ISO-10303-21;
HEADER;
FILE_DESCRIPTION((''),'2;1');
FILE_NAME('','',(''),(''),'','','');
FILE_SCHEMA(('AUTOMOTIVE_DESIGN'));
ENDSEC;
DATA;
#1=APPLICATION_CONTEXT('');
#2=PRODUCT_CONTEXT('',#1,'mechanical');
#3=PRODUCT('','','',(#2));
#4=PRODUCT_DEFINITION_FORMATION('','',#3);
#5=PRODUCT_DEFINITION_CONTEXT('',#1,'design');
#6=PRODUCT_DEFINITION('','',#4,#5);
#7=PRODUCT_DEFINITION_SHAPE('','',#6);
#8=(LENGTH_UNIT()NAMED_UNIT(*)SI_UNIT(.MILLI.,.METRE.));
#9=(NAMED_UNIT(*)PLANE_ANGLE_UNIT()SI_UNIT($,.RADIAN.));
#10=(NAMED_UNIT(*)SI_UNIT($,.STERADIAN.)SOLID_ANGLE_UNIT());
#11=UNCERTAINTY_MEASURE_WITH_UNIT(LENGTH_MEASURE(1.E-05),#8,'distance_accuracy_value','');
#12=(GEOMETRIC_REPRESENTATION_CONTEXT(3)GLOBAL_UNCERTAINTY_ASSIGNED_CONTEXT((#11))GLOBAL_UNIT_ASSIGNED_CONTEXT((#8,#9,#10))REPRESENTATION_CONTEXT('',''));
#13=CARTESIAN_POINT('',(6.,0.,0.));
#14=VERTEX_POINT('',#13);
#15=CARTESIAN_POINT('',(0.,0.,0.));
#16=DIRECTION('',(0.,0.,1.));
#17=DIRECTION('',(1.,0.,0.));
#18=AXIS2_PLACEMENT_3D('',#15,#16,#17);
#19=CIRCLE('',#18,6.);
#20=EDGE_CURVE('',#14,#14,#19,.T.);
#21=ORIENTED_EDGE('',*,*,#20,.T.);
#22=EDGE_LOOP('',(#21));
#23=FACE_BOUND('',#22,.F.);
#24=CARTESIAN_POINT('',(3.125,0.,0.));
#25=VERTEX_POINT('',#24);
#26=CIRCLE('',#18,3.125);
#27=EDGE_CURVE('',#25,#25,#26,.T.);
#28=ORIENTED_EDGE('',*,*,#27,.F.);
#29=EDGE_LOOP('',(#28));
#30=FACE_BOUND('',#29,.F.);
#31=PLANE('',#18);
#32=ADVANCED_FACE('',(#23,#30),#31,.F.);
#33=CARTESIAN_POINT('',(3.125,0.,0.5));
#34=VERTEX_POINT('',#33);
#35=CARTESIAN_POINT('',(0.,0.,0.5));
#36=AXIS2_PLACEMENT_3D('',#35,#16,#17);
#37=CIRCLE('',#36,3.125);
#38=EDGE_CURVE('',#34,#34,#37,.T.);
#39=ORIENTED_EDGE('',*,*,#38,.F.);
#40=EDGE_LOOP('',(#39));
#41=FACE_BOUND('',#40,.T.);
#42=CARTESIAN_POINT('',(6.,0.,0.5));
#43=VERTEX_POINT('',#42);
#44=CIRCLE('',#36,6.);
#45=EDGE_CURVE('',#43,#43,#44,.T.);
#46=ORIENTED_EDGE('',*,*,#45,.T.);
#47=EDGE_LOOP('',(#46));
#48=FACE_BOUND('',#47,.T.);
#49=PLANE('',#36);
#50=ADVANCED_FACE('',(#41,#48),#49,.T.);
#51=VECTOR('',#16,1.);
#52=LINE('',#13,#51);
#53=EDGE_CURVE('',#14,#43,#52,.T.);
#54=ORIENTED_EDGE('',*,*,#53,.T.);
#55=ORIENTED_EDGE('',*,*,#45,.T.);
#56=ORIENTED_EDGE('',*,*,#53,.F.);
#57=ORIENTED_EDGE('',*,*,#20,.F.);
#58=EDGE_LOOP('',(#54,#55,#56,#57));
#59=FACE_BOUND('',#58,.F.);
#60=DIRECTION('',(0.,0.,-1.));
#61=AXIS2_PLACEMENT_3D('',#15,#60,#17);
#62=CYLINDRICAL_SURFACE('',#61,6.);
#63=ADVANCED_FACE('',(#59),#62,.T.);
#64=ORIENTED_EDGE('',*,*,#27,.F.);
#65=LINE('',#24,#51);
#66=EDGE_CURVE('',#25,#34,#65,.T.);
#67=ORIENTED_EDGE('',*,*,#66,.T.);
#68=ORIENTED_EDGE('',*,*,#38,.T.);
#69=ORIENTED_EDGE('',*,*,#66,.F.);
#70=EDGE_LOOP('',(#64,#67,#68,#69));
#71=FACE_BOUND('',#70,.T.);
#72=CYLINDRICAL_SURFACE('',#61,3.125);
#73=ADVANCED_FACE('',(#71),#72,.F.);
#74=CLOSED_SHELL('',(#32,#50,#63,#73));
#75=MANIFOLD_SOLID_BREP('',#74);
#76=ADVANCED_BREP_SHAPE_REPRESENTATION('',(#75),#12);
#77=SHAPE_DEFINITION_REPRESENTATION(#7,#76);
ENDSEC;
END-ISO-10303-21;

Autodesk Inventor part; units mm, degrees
ref_plane "YZ Plane" through (0, 0, 0) normal (1, 0, 0) x (0, 1, 0)
ref_plane "XZ Plane" through (0, 0, 0) normal (0, 1, 0) x (-1, 0, 0)
ref_plane "XY Plane" through (0, 0, 0) normal (0, 0, 1) x (1, 0, 0)
sketch "スケッチ1" plane through (0, 0, 0) normal (0, 0, 1) x (1, 0, 0)
  circle A0 centre (0, 0) radius 3.125
  circle A1 centre (0, 0) radius 6
  dimension "d0" = 6.25
  dimension "d1" = 12
extrude "押し出し1" add sketch "スケッチ1" along normal blind 0.5
equation "\"TransitionRadius\" = BendRadius"
equation "\"BendRadius\" = 3.048"
properties part number "TT-0612-05" material "열가소성 수지"
